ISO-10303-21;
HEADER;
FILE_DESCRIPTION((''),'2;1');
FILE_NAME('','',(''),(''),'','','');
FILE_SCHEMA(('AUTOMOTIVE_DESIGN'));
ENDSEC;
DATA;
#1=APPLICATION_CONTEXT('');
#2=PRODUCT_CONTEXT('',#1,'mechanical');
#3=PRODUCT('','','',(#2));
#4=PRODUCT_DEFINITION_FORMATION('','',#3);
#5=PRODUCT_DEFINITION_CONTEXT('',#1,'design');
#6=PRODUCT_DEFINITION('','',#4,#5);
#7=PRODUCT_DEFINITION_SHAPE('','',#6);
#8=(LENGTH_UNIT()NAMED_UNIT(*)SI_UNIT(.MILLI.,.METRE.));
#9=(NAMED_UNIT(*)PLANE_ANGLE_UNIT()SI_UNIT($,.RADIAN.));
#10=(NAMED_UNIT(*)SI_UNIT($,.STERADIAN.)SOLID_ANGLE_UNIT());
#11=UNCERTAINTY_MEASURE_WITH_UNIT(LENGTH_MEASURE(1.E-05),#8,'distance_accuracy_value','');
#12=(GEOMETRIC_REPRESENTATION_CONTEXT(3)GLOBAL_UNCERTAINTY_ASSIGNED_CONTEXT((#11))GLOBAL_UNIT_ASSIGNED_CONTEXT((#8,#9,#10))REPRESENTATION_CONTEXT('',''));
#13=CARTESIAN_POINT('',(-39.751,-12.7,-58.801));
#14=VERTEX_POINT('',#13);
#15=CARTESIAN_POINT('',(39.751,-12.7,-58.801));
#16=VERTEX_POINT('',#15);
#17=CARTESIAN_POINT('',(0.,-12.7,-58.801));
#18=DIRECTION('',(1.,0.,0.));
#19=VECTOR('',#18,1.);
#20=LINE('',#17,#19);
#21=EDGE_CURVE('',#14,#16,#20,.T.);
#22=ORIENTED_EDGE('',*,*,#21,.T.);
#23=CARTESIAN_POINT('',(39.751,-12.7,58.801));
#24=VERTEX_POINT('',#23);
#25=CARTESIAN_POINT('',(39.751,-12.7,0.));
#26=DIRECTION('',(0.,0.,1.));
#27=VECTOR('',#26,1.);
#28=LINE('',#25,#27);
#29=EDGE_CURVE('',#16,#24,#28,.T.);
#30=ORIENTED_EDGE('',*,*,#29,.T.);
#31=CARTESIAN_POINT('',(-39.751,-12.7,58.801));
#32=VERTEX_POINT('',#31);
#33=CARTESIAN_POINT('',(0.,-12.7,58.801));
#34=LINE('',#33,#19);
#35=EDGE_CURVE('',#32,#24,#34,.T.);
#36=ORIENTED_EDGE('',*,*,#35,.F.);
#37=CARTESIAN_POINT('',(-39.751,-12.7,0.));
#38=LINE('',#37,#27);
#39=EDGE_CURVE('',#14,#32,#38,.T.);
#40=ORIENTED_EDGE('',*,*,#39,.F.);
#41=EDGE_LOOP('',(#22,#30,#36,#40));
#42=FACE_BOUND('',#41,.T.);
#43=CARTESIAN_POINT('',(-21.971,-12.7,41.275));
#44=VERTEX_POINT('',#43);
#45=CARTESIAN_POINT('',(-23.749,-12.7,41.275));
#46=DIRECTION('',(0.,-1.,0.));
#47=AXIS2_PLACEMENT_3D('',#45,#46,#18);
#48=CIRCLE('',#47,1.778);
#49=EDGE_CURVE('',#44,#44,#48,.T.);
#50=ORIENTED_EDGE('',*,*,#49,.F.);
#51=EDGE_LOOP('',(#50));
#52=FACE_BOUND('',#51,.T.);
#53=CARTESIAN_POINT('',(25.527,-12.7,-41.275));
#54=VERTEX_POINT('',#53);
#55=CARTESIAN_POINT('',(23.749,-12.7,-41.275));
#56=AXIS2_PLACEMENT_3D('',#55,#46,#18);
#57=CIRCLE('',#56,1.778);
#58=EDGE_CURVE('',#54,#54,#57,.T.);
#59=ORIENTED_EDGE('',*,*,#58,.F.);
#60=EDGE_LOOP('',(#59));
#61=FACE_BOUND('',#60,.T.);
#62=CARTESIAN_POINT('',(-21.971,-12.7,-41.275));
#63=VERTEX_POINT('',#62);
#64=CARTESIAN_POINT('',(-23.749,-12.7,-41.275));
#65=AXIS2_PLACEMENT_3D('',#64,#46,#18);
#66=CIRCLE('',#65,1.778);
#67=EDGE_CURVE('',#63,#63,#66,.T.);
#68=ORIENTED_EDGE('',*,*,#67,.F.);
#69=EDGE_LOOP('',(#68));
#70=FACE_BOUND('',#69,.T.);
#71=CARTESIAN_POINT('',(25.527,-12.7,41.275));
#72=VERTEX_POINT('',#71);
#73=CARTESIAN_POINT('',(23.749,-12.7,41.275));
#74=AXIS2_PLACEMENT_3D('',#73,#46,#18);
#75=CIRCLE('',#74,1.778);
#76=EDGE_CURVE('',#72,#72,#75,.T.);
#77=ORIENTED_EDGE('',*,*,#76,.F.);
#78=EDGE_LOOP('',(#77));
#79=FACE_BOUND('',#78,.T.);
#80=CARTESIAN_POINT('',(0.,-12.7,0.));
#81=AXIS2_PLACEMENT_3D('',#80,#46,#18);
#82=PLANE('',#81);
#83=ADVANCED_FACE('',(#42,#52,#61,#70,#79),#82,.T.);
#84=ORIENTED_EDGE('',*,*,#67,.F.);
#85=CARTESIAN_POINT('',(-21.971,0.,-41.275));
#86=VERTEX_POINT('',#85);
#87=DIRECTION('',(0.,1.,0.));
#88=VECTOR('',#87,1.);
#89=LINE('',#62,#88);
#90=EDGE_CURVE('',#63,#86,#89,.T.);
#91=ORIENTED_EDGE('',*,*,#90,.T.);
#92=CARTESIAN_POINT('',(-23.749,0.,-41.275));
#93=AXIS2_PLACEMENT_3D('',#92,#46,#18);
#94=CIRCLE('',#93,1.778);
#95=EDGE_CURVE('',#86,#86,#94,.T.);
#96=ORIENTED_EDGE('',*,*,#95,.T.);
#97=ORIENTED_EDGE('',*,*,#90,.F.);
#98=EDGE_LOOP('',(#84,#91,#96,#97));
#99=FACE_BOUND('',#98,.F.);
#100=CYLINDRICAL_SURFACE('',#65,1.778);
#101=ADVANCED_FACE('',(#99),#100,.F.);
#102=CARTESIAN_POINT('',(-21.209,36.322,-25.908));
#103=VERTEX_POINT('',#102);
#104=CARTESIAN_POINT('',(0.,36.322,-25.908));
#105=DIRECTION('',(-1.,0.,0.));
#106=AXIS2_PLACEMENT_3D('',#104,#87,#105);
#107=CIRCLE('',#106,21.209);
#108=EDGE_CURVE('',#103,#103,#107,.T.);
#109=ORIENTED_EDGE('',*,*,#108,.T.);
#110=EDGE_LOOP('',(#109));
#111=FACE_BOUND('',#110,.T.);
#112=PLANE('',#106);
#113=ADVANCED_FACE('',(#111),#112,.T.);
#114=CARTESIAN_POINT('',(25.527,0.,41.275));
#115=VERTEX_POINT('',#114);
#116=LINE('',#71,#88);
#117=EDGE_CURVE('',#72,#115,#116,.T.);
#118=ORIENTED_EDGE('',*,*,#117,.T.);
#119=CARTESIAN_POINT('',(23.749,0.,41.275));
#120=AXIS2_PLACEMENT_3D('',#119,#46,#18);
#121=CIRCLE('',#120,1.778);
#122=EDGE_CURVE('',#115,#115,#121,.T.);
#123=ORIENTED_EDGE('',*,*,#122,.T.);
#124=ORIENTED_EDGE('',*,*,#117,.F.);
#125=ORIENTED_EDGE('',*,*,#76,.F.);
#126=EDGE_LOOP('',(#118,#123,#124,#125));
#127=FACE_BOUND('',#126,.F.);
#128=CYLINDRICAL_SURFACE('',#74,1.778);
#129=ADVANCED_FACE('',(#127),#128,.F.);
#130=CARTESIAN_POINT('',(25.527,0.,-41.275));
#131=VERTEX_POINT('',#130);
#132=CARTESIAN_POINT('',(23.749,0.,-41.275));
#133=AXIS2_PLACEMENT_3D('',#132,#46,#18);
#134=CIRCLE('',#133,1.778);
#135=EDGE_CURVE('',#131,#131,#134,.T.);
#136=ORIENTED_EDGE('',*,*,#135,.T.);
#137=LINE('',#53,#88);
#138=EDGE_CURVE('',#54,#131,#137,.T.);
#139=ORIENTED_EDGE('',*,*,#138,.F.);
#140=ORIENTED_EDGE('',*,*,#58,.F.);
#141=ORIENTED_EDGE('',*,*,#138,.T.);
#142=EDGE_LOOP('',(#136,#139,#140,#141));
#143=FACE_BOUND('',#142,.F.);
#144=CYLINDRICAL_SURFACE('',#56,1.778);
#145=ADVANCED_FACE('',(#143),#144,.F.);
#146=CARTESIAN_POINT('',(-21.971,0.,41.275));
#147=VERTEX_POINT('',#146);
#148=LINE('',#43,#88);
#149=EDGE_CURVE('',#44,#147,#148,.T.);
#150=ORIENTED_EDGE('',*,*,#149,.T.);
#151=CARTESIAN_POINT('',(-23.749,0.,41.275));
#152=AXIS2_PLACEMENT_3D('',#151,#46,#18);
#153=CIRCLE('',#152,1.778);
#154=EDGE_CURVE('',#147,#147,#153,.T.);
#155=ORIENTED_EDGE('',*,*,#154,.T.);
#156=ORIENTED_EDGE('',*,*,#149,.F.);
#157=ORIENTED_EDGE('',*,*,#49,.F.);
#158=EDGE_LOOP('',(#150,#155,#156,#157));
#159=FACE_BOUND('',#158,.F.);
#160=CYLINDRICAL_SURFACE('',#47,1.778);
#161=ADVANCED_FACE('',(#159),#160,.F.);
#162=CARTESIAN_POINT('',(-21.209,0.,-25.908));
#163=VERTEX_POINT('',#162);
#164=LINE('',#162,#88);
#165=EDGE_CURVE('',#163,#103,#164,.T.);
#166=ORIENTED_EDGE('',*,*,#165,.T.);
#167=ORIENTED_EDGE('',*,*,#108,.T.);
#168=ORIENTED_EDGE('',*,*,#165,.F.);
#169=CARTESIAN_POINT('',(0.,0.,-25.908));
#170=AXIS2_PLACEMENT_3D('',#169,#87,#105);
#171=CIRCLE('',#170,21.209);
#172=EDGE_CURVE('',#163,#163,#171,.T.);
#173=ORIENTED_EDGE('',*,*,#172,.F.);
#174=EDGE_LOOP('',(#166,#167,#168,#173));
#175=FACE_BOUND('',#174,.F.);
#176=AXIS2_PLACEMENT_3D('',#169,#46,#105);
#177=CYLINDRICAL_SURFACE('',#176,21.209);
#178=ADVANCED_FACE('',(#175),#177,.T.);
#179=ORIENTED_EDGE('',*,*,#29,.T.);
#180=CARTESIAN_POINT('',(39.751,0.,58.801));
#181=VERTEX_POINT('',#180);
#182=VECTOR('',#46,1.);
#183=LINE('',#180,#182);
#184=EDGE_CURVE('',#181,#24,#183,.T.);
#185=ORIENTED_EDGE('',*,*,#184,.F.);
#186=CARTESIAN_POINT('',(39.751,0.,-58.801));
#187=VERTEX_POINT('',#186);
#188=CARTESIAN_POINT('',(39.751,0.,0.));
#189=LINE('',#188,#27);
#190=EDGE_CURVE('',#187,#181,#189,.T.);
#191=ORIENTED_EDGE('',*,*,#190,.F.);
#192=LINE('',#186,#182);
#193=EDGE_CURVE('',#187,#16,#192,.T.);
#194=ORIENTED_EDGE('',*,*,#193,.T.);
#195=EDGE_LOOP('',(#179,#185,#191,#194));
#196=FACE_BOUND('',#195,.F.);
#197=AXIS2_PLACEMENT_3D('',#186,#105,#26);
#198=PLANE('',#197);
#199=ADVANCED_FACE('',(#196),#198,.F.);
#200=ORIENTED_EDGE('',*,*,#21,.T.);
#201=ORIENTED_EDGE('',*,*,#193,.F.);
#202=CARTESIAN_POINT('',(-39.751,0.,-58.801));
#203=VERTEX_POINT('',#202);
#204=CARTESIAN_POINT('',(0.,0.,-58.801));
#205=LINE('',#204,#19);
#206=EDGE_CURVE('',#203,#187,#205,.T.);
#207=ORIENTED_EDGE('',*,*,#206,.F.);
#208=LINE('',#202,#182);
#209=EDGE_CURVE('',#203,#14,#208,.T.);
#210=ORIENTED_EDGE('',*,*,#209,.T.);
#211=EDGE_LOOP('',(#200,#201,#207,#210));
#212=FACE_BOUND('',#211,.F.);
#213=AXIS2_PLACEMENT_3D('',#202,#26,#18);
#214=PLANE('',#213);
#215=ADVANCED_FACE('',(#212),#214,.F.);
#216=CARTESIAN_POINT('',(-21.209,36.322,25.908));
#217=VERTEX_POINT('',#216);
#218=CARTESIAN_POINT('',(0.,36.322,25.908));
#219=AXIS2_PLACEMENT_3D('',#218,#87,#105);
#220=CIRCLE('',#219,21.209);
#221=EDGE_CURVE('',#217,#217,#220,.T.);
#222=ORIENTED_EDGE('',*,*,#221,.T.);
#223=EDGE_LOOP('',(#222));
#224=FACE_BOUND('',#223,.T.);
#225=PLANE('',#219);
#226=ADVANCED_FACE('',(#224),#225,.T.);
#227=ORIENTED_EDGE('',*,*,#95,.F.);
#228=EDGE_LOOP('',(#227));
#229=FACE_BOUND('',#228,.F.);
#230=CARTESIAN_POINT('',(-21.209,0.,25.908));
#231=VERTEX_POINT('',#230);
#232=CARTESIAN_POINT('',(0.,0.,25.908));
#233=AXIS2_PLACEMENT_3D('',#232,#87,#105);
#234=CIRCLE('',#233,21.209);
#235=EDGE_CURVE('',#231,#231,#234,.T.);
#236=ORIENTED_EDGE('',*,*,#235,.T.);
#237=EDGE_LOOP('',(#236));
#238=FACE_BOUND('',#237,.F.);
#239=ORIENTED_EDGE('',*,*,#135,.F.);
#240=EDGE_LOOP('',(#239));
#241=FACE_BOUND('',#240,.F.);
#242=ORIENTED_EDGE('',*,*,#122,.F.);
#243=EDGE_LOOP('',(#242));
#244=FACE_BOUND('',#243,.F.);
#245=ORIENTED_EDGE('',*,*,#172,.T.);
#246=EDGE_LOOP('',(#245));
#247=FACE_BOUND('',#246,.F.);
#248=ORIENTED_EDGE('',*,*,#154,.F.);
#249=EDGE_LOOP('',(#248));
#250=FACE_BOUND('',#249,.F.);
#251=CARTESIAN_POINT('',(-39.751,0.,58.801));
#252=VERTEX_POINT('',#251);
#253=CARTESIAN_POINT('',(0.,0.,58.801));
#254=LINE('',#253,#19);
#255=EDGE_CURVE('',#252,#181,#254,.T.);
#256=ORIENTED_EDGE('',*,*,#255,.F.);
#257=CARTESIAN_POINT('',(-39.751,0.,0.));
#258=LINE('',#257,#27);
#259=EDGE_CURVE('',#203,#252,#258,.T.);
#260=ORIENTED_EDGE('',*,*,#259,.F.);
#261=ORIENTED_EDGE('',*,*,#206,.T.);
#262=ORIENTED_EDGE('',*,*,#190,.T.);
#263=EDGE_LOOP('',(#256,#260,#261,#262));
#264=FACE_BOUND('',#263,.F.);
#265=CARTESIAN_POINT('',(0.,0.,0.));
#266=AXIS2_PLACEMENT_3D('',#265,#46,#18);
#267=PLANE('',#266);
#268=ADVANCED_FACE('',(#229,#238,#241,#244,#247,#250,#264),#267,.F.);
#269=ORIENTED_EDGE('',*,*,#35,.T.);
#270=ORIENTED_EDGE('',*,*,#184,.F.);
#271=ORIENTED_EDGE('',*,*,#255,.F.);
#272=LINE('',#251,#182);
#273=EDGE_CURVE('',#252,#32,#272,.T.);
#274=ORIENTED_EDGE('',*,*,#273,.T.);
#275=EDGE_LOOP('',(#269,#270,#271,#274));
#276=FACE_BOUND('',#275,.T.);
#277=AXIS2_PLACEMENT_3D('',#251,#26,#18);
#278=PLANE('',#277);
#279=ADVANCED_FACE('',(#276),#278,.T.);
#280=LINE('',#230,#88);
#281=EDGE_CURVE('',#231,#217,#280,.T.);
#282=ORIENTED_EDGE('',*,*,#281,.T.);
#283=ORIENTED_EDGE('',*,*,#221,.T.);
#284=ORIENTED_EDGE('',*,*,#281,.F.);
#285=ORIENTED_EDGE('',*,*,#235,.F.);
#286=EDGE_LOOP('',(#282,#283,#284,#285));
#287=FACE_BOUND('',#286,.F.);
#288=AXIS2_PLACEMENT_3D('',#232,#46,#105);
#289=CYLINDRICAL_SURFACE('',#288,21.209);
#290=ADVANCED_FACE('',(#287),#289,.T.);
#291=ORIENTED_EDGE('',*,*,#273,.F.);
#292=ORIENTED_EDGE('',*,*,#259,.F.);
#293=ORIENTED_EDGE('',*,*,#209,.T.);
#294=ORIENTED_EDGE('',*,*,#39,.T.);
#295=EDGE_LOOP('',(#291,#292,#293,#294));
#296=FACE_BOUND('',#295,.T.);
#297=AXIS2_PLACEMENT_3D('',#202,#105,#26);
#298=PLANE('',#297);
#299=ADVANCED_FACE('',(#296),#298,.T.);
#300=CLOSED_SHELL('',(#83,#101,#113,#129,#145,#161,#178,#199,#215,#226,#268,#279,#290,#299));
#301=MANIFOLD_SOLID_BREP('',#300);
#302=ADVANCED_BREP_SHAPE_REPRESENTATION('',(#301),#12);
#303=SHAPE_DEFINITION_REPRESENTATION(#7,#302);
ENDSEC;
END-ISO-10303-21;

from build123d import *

# Parameters (mm, degrees)
F0_W     = 79.502
F0_H     = 117.602
F1_DEPTH = 12.7
F2_R     = 1.778
F3_DEPTH = 12.701
F4_R     = 21.209
F5_DEPTH = 36.322


with BuildPart() as f1:
    # F0 (on Front) → F1 (new body)
    with BuildSketch(Plane.XZ):
        Rectangle(F0_W, F0_H)
    extrude(amount=F1_DEPTH)

    # F2 (on face) → F3 (cut, through all)
    with BuildSketch(Plane.XZ.offset(12.7)):
        with Locations((-23.749, 41.275)):
            Circle(F2_R)
        with Locations((23.749, 41.275)):
            Circle(F2_R)
        with Locations((-23.749, -41.275)):
            Circle(F2_R)
        with Locations((23.749, -41.275)):
            Circle(F2_R)
    extrude(amount=-F3_DEPTH, mode=Mode.SUBTRACT)

    # F4 (on face) → F5 (join)
    with BuildSketch(Plane(origin=(0, 0, 0), x_dir=(-1, 0, 0), z_dir=(0, 1, 0))):
        with Locations((0, 25.908)):
            Circle(F4_R)
        with Locations((0, -25.908)):
            Circle(F4_R)
    extrude(amount=F5_DEPTH)


solid = f1.part
